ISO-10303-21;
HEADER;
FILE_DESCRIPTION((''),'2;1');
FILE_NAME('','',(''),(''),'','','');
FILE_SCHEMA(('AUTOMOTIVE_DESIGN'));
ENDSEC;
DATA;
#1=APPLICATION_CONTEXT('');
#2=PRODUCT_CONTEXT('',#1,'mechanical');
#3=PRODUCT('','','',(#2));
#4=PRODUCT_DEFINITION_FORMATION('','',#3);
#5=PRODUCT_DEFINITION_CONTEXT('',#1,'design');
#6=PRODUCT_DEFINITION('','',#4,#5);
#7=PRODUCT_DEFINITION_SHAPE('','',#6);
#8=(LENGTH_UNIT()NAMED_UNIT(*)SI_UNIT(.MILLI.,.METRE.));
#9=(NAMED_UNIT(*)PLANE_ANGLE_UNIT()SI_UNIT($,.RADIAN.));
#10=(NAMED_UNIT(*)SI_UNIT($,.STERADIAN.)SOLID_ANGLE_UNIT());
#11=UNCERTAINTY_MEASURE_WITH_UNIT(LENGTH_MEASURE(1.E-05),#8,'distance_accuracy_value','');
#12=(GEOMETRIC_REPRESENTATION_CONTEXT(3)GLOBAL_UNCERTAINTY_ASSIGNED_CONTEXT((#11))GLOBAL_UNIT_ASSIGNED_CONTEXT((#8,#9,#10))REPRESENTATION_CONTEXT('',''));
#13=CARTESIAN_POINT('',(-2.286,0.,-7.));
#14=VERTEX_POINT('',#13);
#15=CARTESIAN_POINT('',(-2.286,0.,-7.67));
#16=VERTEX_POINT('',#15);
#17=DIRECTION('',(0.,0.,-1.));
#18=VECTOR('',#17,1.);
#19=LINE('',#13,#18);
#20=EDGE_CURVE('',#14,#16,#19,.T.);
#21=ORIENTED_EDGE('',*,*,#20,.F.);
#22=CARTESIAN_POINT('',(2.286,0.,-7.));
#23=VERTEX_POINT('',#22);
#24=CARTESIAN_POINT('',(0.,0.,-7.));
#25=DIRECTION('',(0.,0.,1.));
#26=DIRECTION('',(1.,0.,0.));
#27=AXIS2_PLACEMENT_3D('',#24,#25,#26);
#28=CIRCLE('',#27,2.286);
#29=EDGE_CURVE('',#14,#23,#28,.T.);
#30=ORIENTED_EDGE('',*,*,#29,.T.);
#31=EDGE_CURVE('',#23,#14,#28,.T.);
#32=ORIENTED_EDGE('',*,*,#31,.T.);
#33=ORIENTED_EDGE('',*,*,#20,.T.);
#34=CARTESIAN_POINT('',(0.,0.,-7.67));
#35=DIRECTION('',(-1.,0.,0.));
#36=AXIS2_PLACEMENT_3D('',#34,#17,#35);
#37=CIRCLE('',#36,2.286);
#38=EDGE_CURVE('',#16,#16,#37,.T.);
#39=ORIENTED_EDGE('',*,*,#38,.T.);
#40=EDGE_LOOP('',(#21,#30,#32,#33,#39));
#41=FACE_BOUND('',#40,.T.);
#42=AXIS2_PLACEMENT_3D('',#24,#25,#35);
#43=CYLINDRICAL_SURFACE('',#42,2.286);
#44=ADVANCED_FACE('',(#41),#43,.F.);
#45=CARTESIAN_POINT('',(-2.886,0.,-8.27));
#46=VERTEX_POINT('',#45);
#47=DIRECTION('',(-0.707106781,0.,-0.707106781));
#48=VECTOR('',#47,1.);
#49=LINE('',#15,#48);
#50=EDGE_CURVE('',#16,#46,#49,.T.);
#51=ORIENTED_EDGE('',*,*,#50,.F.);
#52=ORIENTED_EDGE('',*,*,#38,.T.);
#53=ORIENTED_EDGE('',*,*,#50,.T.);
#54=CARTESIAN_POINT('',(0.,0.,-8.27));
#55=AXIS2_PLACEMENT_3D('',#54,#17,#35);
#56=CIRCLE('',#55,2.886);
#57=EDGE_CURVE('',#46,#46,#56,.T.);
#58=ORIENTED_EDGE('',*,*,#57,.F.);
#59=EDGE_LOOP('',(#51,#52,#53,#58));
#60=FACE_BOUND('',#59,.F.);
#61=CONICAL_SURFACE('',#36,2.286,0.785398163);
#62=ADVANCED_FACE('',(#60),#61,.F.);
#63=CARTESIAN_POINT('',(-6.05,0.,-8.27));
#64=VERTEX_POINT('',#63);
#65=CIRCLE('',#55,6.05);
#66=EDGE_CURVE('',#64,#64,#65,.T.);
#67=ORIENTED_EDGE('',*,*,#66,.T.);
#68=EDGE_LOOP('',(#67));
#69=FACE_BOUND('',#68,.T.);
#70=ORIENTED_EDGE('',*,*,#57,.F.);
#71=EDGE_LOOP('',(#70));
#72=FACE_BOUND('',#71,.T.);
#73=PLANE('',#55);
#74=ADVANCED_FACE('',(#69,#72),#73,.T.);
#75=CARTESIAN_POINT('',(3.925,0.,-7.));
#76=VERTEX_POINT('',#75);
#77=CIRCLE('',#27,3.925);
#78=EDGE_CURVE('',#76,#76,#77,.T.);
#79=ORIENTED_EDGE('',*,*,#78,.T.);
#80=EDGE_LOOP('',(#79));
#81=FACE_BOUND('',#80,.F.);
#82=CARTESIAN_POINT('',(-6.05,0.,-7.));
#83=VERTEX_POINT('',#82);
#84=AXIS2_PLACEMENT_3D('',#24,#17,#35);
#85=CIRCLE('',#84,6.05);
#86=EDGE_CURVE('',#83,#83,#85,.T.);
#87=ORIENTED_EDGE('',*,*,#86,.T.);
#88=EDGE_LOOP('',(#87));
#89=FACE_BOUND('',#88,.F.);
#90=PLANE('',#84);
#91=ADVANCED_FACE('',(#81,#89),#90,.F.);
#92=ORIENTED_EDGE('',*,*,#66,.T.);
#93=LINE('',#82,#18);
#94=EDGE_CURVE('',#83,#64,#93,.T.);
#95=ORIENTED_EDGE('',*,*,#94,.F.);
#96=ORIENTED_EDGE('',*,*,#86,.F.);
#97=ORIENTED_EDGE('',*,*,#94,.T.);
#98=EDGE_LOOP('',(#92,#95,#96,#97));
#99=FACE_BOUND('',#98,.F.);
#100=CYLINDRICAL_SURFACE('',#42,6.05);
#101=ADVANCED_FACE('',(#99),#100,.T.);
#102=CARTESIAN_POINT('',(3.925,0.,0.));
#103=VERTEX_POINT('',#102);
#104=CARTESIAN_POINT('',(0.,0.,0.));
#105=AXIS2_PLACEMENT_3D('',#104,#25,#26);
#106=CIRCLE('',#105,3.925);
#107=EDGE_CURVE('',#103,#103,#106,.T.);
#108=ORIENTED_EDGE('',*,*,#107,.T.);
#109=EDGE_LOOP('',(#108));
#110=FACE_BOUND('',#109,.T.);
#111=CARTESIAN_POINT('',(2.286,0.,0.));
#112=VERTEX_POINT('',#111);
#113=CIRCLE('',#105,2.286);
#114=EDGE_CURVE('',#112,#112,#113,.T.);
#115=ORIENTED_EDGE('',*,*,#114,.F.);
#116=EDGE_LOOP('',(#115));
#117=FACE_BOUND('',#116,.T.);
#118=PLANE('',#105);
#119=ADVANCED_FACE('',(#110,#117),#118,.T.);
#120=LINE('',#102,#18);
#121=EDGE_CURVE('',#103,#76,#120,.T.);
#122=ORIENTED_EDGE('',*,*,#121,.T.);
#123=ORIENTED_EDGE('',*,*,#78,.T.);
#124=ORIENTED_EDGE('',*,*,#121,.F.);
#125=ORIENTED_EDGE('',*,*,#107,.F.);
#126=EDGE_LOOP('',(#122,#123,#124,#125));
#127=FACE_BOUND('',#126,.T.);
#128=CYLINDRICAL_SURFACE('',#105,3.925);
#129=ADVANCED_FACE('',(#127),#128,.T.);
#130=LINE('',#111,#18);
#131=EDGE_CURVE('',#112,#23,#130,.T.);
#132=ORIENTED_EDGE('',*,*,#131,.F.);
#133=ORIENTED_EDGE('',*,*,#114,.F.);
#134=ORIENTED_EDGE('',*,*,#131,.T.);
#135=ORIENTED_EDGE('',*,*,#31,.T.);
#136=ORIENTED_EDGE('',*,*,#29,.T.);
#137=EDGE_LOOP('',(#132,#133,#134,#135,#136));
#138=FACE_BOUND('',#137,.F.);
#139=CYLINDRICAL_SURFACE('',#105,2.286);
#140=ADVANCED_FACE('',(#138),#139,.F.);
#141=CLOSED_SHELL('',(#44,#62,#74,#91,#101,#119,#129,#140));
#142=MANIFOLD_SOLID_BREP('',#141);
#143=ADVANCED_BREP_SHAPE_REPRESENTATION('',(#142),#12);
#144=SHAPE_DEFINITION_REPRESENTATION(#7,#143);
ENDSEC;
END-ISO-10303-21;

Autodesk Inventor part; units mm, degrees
ref_plane "YZ Plane" through (0, 0, 0) normal (1, 0, 0) x (0, 1, 0)
ref_plane "XZ Plane" through (0, 0, 0) normal (0, 1, 0) x (-1, 0, 0)
ref_plane "XY Plane" through (0, 0, 0) normal (0, 0, 1) x (1, 0, 0)
sketch "Sketch1" plane through (0, 0, 0) normal (0, 0, 1) x (1, 0, 0)
  circle A0 centre (0, 0) radius 3.925
  circle A1 centre (0, 0) radius 2.286
  dimension "d0" = 7.85
  dimension "d1" = 4.572
extrude "Extrusion1" add sketch "Sketch1" against normal blind 7
sketch "Sketch2" plane through (0, 0, -7) normal (0, 0, -1) x (-1, 0, 0)
  circle A0 centre (0, 0) radius 6.05
  circle A1 centre (0, 0) radius 2.286 projected
  dimension "d4" = 12.1
extrude "Extrusion2" add sketch "Sketch2" along normal blind 1.27
chamfer "Chamfer1" distance 0.6 angle 45 1 edges at (2.286, 0, -8.27)
properties part number "bearingsleeve_3DPrint"
